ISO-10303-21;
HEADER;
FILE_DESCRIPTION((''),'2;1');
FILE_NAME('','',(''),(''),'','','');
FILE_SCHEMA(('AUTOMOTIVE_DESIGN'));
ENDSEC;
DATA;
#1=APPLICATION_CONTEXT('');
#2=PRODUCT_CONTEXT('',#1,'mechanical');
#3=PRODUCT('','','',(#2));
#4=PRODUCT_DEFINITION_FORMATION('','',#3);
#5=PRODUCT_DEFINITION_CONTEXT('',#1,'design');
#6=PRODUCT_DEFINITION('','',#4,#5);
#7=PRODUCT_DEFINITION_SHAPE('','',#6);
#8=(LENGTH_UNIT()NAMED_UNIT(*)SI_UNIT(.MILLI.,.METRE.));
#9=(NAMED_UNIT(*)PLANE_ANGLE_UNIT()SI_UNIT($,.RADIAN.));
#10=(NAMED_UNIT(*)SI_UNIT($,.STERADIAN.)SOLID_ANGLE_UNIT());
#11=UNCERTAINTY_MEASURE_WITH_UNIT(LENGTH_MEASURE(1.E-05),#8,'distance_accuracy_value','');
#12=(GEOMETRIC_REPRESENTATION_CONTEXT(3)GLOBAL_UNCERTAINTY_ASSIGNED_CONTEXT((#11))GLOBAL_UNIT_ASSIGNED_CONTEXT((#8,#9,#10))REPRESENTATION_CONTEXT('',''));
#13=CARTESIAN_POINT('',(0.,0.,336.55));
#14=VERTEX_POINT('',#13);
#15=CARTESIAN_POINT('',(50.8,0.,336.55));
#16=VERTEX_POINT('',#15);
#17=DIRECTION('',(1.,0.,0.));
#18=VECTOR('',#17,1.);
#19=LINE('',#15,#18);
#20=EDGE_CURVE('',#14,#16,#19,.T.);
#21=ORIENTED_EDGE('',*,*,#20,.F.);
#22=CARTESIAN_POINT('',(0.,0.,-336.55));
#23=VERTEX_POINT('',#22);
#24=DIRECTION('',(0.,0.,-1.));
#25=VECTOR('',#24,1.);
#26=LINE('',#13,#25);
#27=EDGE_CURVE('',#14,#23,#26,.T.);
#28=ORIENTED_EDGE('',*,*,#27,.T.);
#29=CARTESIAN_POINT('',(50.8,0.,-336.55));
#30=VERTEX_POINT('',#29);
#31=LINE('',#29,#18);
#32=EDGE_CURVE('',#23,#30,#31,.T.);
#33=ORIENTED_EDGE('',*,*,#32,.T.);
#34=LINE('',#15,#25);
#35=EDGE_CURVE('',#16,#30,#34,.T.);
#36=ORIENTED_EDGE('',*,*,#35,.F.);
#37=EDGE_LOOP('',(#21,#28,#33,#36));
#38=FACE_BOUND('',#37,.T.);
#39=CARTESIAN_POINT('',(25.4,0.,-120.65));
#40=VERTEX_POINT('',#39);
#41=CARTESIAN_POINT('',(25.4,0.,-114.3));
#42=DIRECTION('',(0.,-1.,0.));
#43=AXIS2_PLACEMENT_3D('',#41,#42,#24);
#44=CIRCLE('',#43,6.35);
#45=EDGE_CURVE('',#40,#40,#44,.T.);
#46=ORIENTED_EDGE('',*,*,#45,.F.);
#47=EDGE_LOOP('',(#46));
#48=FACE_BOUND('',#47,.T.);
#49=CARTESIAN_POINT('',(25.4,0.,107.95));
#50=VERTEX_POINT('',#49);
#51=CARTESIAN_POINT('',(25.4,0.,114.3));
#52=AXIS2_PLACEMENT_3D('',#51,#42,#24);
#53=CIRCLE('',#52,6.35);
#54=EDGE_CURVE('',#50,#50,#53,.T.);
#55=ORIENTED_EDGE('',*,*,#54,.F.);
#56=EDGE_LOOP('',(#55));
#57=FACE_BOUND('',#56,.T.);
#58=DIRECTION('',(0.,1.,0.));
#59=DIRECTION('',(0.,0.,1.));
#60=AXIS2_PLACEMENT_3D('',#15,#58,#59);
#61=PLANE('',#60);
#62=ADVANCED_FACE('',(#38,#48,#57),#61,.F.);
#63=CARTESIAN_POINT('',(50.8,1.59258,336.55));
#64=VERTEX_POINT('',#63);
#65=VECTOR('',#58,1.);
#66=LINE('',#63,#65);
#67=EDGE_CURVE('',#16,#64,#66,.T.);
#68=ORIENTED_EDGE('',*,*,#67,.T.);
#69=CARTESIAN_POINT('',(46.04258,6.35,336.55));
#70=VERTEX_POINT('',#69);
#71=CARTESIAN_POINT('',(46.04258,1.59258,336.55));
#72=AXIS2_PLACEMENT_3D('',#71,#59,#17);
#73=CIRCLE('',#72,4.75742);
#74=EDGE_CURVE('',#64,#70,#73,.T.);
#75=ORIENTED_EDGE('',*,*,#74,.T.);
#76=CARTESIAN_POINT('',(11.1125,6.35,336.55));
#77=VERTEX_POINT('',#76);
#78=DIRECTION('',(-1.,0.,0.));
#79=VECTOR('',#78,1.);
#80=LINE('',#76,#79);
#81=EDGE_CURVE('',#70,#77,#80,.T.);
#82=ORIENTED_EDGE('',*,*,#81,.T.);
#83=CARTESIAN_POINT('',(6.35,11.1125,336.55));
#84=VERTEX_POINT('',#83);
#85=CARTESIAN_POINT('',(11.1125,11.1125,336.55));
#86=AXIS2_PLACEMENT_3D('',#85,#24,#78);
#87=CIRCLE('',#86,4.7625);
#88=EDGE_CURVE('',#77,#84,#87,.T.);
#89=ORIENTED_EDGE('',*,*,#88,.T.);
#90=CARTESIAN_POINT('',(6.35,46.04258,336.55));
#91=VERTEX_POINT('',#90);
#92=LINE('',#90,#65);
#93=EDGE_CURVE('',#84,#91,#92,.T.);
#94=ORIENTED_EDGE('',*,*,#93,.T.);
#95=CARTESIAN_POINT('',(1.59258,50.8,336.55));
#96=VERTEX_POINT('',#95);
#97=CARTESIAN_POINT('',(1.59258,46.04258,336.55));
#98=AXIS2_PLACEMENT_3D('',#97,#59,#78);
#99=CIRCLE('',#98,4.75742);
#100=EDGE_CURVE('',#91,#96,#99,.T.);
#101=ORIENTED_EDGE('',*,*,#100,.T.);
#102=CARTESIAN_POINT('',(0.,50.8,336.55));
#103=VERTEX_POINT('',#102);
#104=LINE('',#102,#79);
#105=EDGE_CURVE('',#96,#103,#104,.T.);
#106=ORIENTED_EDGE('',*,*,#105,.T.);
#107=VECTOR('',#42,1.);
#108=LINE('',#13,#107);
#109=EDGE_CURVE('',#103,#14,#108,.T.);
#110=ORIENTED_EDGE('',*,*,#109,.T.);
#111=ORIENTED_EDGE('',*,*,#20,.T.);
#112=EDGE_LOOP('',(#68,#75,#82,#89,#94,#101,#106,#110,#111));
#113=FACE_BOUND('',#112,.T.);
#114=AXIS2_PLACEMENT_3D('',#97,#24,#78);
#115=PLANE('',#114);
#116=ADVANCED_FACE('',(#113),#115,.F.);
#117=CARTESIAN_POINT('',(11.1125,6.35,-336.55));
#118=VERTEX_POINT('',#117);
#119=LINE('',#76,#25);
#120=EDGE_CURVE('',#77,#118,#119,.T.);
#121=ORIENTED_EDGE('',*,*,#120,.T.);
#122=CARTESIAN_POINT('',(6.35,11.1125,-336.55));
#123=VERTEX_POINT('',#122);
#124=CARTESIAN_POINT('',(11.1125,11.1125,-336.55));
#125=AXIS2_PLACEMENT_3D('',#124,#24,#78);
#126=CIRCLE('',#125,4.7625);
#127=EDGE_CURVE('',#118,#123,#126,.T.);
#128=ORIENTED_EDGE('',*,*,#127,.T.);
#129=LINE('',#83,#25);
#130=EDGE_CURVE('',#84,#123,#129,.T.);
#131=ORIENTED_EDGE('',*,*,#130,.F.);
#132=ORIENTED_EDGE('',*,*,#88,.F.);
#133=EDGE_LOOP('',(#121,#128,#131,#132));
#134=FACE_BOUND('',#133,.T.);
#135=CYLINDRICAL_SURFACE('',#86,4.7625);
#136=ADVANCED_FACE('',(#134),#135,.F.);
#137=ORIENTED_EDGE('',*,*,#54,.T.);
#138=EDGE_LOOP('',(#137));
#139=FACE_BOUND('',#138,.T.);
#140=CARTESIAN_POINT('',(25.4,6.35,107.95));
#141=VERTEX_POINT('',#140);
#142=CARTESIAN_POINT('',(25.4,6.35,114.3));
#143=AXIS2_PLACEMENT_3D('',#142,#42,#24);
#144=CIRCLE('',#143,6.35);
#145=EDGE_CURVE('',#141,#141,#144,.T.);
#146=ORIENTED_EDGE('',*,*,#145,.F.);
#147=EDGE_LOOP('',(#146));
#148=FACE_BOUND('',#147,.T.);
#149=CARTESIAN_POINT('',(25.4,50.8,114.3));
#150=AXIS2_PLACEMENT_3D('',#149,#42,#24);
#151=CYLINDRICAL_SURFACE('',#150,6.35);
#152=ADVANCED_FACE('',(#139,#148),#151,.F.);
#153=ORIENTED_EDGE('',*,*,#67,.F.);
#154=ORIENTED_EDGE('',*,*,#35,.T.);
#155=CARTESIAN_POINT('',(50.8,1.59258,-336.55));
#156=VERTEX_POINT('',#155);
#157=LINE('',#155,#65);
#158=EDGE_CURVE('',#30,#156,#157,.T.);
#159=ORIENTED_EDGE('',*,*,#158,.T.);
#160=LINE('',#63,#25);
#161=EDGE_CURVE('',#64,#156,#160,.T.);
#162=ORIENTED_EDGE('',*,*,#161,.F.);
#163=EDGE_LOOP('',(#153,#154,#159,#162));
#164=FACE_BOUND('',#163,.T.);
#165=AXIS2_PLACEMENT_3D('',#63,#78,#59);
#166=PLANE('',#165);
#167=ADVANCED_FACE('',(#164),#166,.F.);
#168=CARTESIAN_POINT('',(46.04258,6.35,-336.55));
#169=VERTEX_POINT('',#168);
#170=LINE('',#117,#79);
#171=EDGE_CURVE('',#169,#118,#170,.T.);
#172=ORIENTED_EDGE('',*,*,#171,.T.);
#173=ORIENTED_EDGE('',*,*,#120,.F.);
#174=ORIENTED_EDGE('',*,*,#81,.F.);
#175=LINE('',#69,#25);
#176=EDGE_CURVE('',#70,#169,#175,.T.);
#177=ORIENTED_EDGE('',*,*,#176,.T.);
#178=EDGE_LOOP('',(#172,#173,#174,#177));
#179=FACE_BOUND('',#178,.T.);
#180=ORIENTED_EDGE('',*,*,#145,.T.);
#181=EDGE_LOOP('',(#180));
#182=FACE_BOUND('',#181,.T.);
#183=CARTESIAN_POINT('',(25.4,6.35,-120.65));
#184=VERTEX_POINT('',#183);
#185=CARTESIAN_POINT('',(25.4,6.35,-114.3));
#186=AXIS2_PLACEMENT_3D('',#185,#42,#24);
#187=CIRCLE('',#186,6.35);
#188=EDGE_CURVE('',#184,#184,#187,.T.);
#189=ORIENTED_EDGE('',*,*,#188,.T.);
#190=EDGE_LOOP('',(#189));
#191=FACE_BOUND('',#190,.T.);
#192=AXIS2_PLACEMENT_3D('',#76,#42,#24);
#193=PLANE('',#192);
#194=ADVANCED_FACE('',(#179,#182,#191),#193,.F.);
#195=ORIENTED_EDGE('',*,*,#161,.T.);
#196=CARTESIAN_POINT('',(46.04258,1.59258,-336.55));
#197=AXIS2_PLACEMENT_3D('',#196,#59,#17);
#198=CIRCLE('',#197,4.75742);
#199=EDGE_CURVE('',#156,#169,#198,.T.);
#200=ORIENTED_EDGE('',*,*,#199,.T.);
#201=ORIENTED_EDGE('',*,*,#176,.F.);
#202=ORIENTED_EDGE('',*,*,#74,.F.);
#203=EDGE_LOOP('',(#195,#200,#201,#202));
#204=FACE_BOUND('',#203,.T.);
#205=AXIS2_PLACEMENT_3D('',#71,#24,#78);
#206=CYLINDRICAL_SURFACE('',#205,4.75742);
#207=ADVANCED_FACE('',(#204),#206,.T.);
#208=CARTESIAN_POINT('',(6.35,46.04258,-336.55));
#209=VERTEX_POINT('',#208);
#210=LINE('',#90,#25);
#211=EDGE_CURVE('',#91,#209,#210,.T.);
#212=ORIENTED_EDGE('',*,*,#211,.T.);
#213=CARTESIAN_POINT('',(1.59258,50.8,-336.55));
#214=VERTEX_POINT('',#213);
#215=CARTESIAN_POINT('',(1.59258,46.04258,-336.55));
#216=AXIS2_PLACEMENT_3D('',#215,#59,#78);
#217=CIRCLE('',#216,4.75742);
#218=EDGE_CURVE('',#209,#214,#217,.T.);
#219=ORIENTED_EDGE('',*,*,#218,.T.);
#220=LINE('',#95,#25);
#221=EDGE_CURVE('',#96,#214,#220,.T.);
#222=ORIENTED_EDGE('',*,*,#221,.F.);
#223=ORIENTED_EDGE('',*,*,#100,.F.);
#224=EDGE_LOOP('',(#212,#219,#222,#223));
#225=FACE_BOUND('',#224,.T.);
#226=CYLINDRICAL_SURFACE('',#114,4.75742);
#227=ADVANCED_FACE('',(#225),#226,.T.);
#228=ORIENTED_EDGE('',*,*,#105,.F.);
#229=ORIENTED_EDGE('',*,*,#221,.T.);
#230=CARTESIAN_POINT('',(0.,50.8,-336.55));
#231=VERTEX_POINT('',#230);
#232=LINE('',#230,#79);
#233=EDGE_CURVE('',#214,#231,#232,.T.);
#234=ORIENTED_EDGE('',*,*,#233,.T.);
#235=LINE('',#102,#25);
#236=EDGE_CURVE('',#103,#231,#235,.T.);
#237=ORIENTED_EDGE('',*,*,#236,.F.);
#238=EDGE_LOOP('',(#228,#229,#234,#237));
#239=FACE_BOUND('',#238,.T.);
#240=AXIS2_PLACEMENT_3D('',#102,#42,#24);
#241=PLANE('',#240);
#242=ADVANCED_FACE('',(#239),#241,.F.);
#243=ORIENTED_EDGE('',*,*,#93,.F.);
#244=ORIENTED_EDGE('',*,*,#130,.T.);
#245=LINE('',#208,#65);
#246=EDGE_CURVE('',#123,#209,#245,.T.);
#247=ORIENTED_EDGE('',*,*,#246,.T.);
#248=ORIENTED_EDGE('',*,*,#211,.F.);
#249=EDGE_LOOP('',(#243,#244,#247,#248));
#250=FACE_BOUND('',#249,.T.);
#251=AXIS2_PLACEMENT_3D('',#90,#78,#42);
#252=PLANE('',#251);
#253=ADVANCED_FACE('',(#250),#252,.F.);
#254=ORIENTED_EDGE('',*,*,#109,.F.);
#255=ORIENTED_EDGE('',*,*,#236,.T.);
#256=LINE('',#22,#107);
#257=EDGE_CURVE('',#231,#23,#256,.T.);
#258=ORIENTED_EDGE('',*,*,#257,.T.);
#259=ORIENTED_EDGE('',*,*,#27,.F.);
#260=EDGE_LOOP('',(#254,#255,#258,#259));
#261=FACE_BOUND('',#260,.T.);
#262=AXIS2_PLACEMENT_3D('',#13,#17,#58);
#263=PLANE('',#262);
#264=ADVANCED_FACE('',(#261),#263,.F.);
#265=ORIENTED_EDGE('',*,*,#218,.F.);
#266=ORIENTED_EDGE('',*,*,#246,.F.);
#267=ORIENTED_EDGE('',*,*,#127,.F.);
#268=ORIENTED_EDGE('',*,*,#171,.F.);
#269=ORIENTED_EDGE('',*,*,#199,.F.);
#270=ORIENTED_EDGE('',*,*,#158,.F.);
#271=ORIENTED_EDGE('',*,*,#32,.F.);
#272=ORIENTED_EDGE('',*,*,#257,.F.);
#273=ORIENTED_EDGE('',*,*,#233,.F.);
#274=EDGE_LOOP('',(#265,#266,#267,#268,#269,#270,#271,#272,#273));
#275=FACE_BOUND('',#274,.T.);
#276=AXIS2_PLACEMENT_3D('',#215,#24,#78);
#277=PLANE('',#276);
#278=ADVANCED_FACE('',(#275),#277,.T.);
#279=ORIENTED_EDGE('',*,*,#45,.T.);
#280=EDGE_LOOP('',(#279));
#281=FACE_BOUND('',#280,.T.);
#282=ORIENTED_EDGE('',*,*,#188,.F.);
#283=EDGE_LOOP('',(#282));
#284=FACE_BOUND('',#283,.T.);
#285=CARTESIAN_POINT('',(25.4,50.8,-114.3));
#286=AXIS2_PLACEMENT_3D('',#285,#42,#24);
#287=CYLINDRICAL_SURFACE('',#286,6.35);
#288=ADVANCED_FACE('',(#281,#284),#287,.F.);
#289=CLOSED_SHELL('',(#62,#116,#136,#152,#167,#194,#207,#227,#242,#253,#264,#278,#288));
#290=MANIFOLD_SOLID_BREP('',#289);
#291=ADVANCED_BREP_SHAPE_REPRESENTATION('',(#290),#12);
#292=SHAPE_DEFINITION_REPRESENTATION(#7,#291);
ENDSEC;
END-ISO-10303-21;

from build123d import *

# Parameters (mm, degrees)
BOSS_EXTRUDE1_DEPTH = 336.55
SKETCH2_R           = 6.35
CUT_EXTRUDE1_DEPTH  = 51.8


with BuildPart() as part:
    # Sketch1 → Boss-Extrude1 (new body, symmetric)
    with BuildSketch(Plane.XY):
        with BuildLine():
            Line((0, 0), (0, 50.8))
            Line((0, 50.8), (1.59258, 50.8))
            ThreePointArc((1.59258, 50.8), (4.956583943, 49.406583943), (6.35, 46.04258))
            Line((6.35, 46.04258), (6.35, 11.1125))
            ThreePointArc((6.35, 11.1125), (7.744903955, 7.744903955), (11.1125, 6.35))
            Line((11.1125, 6.35), (46.04258, 6.35))
            ThreePointArc((46.04258, 6.35), (49.406583943, 4.956583943), (50.8, 1.59258))
            Line((50.8, 1.59258), (50.8, 0))
            Line((50.8, 0), (0, 0))
        make_face()
    extrude(amount=BOSS_EXTRUDE1_DEPTH, both=True)

    # Sketch2 → Cut-Extrude1 (cut, through all)
    with BuildSketch(Plane.XZ):
        with Locations((25.4, -114.3)):
            Circle(SKETCH2_R)
        with Locations((25.4, 114.3)):
            Circle(SKETCH2_R)
    extrude(amount=-CUT_EXTRUDE1_DEPTH, mode=Mode.SUBTRACT)


solid = part.part
